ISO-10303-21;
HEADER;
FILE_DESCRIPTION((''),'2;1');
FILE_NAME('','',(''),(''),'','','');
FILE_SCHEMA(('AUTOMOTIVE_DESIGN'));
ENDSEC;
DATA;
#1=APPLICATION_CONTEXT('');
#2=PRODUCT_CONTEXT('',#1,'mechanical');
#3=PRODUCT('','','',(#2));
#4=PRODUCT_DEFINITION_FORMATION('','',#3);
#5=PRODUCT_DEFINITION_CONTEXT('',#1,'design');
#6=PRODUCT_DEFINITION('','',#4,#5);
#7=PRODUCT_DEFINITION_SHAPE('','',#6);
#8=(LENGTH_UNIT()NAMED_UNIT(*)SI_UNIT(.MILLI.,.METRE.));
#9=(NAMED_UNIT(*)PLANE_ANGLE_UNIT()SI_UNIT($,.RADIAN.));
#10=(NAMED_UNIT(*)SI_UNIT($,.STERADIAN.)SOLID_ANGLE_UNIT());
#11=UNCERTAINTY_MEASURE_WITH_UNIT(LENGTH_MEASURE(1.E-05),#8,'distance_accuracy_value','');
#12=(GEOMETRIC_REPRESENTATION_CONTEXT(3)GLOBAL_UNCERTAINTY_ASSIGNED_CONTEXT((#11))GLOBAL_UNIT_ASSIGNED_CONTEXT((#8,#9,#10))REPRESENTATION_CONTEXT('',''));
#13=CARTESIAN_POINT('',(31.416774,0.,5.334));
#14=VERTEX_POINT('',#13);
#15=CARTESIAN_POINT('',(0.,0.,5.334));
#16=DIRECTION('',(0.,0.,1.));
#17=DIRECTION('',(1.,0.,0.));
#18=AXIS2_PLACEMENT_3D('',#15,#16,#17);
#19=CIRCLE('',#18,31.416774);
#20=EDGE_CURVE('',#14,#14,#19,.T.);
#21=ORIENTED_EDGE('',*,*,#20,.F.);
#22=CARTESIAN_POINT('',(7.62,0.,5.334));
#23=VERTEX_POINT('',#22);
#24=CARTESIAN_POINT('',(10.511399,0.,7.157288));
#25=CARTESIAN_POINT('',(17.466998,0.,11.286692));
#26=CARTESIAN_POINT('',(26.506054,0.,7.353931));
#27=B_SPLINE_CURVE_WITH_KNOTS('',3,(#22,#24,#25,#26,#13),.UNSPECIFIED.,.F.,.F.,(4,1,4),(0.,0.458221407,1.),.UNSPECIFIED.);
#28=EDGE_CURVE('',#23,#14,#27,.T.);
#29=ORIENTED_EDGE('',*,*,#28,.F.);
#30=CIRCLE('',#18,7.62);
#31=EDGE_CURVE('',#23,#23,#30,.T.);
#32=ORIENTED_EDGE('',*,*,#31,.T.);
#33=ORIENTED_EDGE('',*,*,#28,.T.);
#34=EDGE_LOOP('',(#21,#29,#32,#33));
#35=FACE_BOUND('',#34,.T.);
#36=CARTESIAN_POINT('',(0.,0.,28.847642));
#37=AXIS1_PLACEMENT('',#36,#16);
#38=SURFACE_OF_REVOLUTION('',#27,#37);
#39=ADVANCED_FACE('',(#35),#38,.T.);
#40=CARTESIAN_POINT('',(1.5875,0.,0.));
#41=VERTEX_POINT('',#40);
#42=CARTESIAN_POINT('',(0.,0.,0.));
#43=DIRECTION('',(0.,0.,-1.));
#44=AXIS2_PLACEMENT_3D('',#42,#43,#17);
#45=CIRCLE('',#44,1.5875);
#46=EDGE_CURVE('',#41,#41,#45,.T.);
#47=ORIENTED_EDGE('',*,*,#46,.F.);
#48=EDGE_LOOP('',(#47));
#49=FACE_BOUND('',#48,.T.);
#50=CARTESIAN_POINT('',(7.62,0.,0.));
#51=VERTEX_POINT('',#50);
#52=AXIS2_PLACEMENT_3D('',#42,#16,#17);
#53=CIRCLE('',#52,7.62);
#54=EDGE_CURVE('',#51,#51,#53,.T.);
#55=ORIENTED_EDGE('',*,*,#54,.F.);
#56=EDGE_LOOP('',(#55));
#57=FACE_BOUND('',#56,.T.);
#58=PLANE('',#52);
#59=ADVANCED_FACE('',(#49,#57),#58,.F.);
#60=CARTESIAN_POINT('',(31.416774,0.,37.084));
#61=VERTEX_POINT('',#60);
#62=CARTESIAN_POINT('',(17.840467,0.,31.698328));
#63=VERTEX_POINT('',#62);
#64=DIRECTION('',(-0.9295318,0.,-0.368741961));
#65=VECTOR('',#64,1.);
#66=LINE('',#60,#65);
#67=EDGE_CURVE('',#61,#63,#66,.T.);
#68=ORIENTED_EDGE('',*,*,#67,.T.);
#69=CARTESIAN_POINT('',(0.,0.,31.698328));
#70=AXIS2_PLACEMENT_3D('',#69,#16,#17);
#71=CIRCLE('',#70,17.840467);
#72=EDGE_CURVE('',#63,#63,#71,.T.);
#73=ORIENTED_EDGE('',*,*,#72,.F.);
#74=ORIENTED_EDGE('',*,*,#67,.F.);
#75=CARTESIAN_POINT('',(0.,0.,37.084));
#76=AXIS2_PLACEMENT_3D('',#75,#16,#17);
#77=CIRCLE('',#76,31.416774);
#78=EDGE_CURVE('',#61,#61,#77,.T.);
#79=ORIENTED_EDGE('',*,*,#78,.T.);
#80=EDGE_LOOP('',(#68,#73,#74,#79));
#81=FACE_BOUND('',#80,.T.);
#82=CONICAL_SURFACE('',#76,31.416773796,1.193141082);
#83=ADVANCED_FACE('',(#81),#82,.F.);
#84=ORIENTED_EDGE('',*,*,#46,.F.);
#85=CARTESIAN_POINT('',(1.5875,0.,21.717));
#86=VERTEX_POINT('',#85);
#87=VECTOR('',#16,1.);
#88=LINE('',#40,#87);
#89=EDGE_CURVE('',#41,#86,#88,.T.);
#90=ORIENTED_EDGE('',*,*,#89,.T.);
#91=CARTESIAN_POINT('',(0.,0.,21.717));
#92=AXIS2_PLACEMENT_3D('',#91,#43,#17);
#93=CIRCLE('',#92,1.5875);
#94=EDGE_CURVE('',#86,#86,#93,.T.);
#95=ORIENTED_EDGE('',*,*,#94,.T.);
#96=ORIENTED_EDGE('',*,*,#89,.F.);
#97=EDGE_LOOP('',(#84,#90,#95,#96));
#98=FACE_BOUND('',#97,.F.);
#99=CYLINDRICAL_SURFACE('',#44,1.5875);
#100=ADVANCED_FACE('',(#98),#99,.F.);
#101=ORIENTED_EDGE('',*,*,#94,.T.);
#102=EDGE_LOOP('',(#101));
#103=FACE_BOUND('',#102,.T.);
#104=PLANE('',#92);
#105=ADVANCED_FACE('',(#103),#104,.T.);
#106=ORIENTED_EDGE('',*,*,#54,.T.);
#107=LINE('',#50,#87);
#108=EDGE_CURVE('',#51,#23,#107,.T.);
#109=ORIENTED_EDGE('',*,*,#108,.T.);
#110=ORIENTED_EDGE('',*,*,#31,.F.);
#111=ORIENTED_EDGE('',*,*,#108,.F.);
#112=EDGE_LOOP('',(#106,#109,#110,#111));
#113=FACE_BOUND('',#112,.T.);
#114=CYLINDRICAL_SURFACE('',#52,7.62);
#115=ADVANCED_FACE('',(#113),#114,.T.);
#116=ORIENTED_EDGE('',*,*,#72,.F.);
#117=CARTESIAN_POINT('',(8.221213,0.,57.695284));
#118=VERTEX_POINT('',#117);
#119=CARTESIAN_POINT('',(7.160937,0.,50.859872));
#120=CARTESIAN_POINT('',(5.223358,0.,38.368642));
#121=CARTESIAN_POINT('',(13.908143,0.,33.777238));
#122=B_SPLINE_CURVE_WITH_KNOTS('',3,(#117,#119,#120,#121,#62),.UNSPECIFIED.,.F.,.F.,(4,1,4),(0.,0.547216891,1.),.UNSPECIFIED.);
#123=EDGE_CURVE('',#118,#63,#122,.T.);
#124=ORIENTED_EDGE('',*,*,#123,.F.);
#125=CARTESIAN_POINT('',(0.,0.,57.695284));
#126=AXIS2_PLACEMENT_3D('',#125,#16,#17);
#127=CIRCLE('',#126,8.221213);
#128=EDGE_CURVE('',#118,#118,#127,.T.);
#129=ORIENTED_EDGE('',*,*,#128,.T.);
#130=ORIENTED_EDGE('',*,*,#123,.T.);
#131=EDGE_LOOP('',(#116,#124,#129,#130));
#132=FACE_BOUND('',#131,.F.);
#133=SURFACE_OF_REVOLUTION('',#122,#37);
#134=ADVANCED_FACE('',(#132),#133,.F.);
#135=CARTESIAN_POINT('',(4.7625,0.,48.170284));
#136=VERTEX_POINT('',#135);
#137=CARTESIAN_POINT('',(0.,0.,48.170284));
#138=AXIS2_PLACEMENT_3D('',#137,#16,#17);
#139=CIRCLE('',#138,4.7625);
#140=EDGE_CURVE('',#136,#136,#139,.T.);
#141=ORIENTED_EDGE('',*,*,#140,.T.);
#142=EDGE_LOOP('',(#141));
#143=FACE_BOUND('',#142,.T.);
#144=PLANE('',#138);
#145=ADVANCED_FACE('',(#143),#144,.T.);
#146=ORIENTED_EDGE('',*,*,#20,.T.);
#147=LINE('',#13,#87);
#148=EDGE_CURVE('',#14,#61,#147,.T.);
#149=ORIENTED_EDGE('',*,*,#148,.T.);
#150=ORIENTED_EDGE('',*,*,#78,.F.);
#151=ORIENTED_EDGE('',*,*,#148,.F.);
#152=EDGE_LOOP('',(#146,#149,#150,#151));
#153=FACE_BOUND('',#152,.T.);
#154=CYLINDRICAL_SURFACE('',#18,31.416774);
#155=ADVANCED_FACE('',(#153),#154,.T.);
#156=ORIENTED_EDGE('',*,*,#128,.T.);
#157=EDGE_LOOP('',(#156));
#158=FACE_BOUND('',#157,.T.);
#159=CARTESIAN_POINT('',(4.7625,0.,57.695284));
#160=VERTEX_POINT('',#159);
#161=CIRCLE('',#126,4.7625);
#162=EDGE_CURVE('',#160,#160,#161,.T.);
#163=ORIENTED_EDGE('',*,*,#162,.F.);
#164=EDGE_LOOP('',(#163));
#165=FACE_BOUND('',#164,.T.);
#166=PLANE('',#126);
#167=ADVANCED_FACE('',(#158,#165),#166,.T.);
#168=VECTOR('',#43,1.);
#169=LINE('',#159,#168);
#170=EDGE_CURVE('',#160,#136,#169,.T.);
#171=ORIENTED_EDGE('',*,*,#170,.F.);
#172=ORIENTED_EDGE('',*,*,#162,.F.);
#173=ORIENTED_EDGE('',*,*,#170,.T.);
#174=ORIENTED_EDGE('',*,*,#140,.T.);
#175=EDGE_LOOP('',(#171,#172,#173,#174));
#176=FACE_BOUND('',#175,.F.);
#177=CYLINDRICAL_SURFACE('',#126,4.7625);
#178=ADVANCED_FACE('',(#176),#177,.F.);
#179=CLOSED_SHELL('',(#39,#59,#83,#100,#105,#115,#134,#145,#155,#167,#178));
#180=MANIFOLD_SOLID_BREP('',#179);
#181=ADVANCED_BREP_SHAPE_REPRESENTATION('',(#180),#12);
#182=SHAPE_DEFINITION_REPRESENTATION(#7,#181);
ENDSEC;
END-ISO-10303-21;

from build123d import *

# Parameters (mm, degrees)
F2_R     = 1.5875
F3_DEPTH = 21.717
F4_R     = 4.7625
F5_DEPTH = 9.525


with BuildPart() as f1:
    # F0 (on Front) → F1 (revolve)
    with BuildSketch(Plane.XZ):
        with BuildLine():
            Line((0, 57.6952844858), (0, 0))
            Line((0, 0), (7.62, 0))
            Line((7.62, 0), (7.62, 5.334))
            add(Edge.make_bspline(
                [(7.62, 5.334), (10.5113989407, 7.1572880683), (17.4669983954, 11.2866916591), (26.5060541886, 7.3539307829), (31.4167737961, 5.334)],
                knots=[0, 0, 0, 0, 0.4582214066, 1, 1, 1, 1], degree=3))
            Line((31.4167737961, 5.334), (31.4167737961, 37.084))
            Line((31.4167737961, 37.084), (17.8404673934, 31.6983275115))
            add(Edge.make_bspline(
                [(8.2212127745, 57.6952844858), (7.1609367505, 50.859872418), (5.223357626, 38.3686423698), (13.9081431845, 33.7772379024), (17.8404673934, 31.6983275115)],
                knots=[0, 0, 0, 0, 0.5472168907, 1, 1, 1, 1], degree=3))
            Line((8.2212127745, 57.6952844858), (0, 57.6952844858))
        make_face()
    revolve(axis=Axis((0, 0, 28.8476422429), (0, 0, 1)))

    # F2 (on face) → F3 (cut)
    with BuildSketch(Plane(origin=(0, 0, 0), x_dir=(1, 0, 0), z_dir=(0, 0, -1))):
        Circle(F2_R)
    extrude(amount=-F3_DEPTH, mode=Mode.SUBTRACT)

    # F4 (on face) → F5 (cut)
    with BuildSketch(Plane.XY.offset(57.6952844858)):
        Circle(F4_R)
    extrude(amount=-F5_DEPTH, mode=Mode.SUBTRACT)


solid = f1.part
